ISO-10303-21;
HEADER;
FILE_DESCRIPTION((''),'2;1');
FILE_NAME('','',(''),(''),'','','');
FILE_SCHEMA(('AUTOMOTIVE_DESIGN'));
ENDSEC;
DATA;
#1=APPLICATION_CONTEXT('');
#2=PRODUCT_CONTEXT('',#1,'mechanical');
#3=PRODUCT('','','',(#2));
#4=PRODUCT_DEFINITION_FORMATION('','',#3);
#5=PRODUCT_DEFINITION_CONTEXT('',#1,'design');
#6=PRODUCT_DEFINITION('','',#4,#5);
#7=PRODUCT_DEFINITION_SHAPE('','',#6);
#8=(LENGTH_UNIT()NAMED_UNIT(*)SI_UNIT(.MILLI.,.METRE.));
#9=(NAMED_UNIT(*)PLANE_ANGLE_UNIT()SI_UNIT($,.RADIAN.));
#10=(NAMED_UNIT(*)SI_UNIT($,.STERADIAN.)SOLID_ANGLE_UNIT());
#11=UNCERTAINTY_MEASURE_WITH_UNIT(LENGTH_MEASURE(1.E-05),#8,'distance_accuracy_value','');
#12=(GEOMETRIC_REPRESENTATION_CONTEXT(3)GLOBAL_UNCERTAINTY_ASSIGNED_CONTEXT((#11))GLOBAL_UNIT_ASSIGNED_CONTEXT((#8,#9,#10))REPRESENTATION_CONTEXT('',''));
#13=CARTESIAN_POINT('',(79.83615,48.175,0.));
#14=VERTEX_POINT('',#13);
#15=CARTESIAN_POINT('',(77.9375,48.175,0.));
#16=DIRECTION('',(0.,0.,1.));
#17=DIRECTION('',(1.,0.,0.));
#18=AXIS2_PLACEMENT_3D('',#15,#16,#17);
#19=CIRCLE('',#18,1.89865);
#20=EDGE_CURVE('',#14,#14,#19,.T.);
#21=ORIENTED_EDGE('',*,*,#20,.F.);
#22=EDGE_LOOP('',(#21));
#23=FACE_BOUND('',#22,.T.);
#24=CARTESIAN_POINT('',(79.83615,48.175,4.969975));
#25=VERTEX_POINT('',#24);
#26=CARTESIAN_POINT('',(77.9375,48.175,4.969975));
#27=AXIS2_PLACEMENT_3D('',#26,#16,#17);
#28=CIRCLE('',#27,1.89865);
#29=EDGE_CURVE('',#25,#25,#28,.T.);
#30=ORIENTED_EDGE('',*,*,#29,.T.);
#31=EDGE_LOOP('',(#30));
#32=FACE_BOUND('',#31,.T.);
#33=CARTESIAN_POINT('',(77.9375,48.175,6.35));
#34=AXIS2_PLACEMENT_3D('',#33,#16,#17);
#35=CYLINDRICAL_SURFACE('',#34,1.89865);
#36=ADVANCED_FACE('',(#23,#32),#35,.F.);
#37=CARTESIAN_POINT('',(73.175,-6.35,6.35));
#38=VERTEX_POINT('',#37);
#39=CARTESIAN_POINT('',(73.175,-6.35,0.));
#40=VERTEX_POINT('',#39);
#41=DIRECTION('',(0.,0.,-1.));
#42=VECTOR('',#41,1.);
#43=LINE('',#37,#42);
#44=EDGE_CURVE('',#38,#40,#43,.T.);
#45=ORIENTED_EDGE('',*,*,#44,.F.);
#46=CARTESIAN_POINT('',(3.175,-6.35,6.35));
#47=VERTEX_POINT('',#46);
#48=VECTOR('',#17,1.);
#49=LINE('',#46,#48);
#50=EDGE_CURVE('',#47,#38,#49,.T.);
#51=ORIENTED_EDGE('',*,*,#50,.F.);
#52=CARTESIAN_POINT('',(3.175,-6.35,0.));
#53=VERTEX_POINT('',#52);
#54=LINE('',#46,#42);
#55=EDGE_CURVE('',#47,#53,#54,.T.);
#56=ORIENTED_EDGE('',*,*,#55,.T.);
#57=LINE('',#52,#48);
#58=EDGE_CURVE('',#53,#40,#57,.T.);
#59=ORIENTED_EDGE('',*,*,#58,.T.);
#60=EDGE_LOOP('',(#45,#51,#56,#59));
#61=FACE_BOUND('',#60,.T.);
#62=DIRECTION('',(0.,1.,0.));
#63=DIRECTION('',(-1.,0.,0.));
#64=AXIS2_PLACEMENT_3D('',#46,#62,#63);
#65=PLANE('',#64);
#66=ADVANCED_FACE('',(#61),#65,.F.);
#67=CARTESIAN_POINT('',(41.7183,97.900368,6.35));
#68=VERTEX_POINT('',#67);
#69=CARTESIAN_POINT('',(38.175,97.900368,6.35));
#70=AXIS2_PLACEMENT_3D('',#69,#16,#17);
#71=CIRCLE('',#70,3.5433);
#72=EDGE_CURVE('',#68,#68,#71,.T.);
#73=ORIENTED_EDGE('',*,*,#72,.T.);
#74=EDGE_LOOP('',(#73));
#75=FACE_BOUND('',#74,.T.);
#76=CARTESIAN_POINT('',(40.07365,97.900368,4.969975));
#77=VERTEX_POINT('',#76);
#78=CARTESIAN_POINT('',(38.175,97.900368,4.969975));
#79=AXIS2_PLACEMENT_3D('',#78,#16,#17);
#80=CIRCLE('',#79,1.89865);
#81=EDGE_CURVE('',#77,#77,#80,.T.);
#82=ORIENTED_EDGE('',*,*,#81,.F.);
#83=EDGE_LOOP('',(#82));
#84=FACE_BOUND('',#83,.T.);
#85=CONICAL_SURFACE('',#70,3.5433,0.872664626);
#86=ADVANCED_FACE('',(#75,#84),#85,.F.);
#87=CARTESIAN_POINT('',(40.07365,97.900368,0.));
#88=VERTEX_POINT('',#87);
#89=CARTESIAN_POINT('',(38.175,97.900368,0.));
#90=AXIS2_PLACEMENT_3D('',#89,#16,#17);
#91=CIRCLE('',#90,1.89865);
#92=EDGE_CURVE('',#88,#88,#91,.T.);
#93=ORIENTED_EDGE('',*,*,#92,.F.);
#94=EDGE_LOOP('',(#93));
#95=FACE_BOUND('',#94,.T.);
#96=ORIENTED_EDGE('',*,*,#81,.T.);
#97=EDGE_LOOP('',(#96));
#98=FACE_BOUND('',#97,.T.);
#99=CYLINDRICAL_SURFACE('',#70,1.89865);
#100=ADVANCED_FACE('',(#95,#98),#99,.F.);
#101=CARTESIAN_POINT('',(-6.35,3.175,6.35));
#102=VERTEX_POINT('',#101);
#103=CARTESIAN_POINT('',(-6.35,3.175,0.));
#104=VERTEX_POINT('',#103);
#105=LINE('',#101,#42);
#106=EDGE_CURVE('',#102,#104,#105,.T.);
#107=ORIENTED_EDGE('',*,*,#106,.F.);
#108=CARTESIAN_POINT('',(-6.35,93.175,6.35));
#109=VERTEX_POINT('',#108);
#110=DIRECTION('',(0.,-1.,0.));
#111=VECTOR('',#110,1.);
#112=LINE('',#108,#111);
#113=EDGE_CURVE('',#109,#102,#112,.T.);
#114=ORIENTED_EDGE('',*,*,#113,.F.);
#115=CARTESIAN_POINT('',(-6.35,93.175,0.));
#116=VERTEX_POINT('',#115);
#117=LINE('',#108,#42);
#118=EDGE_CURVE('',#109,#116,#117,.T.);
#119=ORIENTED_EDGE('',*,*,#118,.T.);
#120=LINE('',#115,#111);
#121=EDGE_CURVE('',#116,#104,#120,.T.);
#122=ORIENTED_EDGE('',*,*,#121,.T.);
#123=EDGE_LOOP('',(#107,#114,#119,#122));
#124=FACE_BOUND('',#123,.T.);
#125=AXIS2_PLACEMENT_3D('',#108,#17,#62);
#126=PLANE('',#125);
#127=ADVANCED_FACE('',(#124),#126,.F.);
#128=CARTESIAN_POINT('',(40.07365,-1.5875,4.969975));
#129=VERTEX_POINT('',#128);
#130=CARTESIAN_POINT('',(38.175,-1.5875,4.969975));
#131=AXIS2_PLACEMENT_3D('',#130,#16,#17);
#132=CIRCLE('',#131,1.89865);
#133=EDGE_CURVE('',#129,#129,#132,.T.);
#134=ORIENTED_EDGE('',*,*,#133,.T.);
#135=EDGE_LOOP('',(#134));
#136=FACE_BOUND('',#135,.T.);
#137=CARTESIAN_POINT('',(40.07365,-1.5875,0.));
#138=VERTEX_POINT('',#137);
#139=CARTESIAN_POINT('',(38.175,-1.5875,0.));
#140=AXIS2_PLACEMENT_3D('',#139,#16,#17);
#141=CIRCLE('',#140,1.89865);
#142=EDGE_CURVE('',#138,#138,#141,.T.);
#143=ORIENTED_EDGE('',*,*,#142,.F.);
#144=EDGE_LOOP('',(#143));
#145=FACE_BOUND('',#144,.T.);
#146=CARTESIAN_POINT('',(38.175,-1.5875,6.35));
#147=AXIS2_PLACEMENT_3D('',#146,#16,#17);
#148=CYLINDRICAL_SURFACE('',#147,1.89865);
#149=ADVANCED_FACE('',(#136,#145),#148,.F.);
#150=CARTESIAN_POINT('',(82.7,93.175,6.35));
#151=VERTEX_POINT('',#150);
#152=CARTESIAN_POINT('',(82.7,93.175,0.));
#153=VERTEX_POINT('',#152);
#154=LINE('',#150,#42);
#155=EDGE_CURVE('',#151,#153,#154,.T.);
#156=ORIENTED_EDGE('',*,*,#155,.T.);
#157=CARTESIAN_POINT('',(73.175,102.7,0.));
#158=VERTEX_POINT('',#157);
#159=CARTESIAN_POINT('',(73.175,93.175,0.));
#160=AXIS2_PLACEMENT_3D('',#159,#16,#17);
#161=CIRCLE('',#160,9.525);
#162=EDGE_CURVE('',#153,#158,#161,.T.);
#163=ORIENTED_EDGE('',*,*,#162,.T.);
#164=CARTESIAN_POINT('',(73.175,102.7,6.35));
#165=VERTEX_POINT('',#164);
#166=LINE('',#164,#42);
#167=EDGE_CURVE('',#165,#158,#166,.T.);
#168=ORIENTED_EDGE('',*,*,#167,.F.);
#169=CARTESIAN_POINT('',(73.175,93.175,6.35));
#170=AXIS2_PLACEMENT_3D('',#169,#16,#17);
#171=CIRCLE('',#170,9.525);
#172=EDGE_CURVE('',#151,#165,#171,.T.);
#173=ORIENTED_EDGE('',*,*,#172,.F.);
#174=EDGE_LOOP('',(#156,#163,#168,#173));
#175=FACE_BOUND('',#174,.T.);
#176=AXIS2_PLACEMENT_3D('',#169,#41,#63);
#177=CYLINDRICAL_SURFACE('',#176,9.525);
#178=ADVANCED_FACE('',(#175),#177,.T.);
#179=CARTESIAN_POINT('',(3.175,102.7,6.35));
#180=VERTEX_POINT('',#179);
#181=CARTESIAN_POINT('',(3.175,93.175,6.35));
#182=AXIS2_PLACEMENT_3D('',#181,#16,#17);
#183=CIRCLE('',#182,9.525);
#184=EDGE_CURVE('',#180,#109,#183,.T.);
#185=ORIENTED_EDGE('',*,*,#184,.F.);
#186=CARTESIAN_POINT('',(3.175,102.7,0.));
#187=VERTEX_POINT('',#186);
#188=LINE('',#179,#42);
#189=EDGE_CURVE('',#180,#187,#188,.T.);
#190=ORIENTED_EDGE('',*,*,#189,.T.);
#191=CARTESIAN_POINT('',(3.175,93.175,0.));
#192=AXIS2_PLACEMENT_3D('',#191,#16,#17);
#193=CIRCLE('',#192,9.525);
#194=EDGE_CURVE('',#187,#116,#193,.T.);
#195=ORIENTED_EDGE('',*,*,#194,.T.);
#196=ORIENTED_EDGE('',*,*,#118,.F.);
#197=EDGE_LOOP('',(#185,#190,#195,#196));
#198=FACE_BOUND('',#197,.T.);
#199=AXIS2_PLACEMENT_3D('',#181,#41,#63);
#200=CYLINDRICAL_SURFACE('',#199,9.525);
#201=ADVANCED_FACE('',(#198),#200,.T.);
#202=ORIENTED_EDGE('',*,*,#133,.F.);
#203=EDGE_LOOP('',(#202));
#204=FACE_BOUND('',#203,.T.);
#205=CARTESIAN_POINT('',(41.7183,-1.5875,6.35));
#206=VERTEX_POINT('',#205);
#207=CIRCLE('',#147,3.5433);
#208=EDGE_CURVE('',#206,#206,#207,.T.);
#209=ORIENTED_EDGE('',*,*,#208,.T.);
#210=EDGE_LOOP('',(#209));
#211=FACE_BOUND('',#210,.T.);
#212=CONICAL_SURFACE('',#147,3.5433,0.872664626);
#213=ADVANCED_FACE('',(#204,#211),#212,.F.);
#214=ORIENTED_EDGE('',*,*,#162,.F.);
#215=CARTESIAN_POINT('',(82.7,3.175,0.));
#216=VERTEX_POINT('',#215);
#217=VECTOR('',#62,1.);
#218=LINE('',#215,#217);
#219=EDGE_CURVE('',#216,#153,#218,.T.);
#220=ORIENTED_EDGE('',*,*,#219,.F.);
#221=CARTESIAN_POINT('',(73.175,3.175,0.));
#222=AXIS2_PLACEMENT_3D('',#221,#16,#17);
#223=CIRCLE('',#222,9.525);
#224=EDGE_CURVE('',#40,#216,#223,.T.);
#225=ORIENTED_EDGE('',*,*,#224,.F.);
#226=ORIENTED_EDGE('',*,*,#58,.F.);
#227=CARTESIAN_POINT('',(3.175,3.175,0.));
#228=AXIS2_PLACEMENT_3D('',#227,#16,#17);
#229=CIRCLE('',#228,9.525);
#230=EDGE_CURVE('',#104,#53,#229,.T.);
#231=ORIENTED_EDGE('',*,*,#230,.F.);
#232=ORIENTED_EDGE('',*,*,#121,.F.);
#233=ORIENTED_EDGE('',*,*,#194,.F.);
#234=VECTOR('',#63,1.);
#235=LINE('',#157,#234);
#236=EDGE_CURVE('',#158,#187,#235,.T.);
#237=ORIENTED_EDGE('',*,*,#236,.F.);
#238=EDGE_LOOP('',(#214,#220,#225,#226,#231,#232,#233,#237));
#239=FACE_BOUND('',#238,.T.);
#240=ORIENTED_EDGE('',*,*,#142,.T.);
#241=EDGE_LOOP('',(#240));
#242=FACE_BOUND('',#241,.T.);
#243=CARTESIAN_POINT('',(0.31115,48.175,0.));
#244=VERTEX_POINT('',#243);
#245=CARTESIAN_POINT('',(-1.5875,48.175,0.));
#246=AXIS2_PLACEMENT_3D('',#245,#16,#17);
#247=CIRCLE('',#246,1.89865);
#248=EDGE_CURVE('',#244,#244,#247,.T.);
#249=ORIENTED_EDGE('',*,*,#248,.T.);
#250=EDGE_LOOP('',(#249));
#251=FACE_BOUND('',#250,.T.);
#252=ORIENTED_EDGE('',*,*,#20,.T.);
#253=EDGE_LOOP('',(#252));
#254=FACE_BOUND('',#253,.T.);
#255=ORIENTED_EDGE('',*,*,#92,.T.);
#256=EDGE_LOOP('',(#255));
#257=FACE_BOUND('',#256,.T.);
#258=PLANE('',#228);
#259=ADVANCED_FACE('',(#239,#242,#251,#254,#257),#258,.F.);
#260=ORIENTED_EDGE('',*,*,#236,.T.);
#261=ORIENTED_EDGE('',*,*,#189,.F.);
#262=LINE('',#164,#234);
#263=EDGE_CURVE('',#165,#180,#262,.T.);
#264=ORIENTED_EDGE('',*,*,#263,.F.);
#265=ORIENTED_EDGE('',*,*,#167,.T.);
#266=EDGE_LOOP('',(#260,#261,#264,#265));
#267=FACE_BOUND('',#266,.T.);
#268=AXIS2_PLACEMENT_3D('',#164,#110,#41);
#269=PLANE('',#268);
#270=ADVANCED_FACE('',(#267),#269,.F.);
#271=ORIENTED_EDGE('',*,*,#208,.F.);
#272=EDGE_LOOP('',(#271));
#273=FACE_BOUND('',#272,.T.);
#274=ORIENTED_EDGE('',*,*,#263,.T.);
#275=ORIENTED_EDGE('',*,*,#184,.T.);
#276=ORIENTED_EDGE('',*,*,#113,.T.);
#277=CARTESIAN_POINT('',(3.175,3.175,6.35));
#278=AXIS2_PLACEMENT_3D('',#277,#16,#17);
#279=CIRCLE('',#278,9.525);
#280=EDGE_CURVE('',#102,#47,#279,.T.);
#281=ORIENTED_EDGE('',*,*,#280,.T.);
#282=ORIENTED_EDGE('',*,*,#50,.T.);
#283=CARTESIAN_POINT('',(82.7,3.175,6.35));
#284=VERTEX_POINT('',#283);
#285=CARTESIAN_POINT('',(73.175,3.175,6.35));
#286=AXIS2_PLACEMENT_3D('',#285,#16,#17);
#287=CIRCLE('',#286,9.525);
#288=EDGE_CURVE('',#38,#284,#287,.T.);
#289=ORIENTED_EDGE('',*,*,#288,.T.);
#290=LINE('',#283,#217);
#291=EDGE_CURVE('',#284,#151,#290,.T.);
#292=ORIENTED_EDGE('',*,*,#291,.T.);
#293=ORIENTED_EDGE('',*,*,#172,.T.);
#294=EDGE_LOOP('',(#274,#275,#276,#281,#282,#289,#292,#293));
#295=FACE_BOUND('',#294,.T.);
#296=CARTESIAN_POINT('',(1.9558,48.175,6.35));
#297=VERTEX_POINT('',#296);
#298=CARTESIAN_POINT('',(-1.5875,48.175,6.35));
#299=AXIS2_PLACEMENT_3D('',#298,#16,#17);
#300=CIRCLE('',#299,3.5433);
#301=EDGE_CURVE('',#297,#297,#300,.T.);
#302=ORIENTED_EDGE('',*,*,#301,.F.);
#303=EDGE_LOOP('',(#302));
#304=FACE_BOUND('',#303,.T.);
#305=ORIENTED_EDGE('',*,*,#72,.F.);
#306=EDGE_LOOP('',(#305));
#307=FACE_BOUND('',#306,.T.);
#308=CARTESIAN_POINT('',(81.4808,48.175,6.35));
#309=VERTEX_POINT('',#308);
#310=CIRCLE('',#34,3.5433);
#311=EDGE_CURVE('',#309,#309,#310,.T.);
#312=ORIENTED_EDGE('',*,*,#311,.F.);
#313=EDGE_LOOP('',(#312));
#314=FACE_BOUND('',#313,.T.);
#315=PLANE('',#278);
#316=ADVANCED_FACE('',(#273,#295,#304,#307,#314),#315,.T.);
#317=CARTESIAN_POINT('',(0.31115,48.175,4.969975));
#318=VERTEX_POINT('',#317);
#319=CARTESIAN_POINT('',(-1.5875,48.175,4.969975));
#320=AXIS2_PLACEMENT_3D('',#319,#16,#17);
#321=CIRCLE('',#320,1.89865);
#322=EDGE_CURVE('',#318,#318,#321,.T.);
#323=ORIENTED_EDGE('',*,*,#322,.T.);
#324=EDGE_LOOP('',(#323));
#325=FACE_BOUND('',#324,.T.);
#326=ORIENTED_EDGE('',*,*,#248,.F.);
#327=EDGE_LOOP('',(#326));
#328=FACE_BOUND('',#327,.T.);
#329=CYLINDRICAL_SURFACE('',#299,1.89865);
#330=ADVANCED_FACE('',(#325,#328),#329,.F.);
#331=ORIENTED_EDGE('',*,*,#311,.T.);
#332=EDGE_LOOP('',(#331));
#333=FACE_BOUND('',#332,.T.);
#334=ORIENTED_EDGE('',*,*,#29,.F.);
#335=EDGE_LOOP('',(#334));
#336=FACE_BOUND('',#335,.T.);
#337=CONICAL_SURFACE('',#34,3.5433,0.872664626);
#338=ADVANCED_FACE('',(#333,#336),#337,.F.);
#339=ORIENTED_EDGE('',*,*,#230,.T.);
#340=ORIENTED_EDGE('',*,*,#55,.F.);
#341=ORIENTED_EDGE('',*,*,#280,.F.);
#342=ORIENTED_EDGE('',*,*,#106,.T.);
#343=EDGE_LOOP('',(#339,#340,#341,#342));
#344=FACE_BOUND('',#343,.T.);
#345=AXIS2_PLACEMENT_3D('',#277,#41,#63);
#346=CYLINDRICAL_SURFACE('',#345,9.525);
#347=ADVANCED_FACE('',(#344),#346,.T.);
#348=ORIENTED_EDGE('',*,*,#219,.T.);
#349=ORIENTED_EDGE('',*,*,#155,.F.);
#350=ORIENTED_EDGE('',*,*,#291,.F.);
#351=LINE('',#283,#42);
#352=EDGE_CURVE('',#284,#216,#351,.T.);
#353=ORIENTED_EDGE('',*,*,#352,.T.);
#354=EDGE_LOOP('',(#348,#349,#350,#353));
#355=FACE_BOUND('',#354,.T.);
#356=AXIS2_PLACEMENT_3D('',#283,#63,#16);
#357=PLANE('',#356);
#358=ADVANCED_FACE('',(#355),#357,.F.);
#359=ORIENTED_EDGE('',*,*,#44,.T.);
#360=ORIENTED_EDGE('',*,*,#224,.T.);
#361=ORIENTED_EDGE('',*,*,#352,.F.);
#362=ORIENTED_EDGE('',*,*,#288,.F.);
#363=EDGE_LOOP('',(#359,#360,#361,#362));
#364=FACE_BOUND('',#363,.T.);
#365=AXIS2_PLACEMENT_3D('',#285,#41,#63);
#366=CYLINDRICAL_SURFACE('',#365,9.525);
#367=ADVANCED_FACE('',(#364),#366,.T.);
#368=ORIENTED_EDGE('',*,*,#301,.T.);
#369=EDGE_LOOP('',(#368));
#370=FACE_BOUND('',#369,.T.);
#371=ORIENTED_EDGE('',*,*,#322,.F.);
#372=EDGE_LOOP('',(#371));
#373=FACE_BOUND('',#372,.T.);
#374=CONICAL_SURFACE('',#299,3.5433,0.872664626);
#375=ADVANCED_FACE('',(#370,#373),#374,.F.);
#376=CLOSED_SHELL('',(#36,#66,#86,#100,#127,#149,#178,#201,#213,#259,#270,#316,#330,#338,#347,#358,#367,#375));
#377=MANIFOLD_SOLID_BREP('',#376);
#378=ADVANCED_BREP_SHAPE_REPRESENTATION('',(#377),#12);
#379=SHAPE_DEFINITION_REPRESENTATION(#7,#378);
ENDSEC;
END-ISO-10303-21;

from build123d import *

# Parameters (mm, degrees)
SKETCH1_R                                         = 1.5875
BOSS_EXTRUDE1_DEPTH                               = 6.35
CSK_FOR_6_FLAT_HEAD_MACHINE_SCREW_100_D           = 3.7973
CSK_FOR_6_FLAT_HEAD_MACHINE_SCREW_100_CSINK_D     = 7.0866
CSK_FOR_6_FLAT_HEAD_MACHINE_SCREW_100_CSINK_ANGLE = 100


with BuildPart() as part:
    # Sketch1 → Boss-Extrude1 (new body)
    with BuildSketch(Plane.XY):
        with BuildLine():
            Line((3.175, -6.35), (73.174999954, -6.35))
            ThreePointArc((73.174999954, -6.35), (79.910192045, -3.560192091), (82.699999954, 3.175))
            Line((82.699999954, 3.175), (82.699999954, 93.175000086))
            ThreePointArc((82.699999954, 93.175000086), (79.910192045, 99.910192177), (73.174999954, 102.700000086))
            Line((73.174999954, 102.700000086), (3.175, 102.700000086))
            ThreePointArc((3.175, 102.700000086), (-3.560192091, 99.910192177), (-6.35, 93.175000086))
            Line((-6.35, 93.175000086), (-6.35, 3.175))
            ThreePointArc((-6.35, 3.175), (-3.560192091, -3.560192091), (3.175, -6.35))
        make_face()
        with Locations((38.174999977, -1.5875)):
            Circle(SKETCH1_R, mode=Mode.SUBTRACT)
        with Locations((77.937499954, 48.175000043)):
            Circle(SKETCH1_R, mode=Mode.SUBTRACT)
        with Locations((38.174999977, 97.937500086)):
            Circle(SKETCH1_R, mode=Mode.SUBTRACT)
        with Locations((-1.5875, 48.175000043)):
            Circle(SKETCH1_R, mode=Mode.SUBTRACT)
    extrude(amount=BOSS_EXTRUDE1_DEPTH)

    # CSK for #6 Flat Head Machine Screw (100)1 (through all)
    with Locations(Plane.XY.offset(6.35)):
        with Locations((-1.5875, 48.175000043), (77.937499954, 48.175000043), (38.174999977, -1.5875), (38.174999977, 97.900367712)):
            CounterSinkHole(CSK_FOR_6_FLAT_HEAD_MACHINE_SCREW_100_D / 2, CSK_FOR_6_FLAT_HEAD_MACHINE_SCREW_100_CSINK_D / 2, counter_sink_angle=CSK_FOR_6_FLAT_HEAD_MACHINE_SCREW_100_CSINK_ANGLE)


solid = part.part
